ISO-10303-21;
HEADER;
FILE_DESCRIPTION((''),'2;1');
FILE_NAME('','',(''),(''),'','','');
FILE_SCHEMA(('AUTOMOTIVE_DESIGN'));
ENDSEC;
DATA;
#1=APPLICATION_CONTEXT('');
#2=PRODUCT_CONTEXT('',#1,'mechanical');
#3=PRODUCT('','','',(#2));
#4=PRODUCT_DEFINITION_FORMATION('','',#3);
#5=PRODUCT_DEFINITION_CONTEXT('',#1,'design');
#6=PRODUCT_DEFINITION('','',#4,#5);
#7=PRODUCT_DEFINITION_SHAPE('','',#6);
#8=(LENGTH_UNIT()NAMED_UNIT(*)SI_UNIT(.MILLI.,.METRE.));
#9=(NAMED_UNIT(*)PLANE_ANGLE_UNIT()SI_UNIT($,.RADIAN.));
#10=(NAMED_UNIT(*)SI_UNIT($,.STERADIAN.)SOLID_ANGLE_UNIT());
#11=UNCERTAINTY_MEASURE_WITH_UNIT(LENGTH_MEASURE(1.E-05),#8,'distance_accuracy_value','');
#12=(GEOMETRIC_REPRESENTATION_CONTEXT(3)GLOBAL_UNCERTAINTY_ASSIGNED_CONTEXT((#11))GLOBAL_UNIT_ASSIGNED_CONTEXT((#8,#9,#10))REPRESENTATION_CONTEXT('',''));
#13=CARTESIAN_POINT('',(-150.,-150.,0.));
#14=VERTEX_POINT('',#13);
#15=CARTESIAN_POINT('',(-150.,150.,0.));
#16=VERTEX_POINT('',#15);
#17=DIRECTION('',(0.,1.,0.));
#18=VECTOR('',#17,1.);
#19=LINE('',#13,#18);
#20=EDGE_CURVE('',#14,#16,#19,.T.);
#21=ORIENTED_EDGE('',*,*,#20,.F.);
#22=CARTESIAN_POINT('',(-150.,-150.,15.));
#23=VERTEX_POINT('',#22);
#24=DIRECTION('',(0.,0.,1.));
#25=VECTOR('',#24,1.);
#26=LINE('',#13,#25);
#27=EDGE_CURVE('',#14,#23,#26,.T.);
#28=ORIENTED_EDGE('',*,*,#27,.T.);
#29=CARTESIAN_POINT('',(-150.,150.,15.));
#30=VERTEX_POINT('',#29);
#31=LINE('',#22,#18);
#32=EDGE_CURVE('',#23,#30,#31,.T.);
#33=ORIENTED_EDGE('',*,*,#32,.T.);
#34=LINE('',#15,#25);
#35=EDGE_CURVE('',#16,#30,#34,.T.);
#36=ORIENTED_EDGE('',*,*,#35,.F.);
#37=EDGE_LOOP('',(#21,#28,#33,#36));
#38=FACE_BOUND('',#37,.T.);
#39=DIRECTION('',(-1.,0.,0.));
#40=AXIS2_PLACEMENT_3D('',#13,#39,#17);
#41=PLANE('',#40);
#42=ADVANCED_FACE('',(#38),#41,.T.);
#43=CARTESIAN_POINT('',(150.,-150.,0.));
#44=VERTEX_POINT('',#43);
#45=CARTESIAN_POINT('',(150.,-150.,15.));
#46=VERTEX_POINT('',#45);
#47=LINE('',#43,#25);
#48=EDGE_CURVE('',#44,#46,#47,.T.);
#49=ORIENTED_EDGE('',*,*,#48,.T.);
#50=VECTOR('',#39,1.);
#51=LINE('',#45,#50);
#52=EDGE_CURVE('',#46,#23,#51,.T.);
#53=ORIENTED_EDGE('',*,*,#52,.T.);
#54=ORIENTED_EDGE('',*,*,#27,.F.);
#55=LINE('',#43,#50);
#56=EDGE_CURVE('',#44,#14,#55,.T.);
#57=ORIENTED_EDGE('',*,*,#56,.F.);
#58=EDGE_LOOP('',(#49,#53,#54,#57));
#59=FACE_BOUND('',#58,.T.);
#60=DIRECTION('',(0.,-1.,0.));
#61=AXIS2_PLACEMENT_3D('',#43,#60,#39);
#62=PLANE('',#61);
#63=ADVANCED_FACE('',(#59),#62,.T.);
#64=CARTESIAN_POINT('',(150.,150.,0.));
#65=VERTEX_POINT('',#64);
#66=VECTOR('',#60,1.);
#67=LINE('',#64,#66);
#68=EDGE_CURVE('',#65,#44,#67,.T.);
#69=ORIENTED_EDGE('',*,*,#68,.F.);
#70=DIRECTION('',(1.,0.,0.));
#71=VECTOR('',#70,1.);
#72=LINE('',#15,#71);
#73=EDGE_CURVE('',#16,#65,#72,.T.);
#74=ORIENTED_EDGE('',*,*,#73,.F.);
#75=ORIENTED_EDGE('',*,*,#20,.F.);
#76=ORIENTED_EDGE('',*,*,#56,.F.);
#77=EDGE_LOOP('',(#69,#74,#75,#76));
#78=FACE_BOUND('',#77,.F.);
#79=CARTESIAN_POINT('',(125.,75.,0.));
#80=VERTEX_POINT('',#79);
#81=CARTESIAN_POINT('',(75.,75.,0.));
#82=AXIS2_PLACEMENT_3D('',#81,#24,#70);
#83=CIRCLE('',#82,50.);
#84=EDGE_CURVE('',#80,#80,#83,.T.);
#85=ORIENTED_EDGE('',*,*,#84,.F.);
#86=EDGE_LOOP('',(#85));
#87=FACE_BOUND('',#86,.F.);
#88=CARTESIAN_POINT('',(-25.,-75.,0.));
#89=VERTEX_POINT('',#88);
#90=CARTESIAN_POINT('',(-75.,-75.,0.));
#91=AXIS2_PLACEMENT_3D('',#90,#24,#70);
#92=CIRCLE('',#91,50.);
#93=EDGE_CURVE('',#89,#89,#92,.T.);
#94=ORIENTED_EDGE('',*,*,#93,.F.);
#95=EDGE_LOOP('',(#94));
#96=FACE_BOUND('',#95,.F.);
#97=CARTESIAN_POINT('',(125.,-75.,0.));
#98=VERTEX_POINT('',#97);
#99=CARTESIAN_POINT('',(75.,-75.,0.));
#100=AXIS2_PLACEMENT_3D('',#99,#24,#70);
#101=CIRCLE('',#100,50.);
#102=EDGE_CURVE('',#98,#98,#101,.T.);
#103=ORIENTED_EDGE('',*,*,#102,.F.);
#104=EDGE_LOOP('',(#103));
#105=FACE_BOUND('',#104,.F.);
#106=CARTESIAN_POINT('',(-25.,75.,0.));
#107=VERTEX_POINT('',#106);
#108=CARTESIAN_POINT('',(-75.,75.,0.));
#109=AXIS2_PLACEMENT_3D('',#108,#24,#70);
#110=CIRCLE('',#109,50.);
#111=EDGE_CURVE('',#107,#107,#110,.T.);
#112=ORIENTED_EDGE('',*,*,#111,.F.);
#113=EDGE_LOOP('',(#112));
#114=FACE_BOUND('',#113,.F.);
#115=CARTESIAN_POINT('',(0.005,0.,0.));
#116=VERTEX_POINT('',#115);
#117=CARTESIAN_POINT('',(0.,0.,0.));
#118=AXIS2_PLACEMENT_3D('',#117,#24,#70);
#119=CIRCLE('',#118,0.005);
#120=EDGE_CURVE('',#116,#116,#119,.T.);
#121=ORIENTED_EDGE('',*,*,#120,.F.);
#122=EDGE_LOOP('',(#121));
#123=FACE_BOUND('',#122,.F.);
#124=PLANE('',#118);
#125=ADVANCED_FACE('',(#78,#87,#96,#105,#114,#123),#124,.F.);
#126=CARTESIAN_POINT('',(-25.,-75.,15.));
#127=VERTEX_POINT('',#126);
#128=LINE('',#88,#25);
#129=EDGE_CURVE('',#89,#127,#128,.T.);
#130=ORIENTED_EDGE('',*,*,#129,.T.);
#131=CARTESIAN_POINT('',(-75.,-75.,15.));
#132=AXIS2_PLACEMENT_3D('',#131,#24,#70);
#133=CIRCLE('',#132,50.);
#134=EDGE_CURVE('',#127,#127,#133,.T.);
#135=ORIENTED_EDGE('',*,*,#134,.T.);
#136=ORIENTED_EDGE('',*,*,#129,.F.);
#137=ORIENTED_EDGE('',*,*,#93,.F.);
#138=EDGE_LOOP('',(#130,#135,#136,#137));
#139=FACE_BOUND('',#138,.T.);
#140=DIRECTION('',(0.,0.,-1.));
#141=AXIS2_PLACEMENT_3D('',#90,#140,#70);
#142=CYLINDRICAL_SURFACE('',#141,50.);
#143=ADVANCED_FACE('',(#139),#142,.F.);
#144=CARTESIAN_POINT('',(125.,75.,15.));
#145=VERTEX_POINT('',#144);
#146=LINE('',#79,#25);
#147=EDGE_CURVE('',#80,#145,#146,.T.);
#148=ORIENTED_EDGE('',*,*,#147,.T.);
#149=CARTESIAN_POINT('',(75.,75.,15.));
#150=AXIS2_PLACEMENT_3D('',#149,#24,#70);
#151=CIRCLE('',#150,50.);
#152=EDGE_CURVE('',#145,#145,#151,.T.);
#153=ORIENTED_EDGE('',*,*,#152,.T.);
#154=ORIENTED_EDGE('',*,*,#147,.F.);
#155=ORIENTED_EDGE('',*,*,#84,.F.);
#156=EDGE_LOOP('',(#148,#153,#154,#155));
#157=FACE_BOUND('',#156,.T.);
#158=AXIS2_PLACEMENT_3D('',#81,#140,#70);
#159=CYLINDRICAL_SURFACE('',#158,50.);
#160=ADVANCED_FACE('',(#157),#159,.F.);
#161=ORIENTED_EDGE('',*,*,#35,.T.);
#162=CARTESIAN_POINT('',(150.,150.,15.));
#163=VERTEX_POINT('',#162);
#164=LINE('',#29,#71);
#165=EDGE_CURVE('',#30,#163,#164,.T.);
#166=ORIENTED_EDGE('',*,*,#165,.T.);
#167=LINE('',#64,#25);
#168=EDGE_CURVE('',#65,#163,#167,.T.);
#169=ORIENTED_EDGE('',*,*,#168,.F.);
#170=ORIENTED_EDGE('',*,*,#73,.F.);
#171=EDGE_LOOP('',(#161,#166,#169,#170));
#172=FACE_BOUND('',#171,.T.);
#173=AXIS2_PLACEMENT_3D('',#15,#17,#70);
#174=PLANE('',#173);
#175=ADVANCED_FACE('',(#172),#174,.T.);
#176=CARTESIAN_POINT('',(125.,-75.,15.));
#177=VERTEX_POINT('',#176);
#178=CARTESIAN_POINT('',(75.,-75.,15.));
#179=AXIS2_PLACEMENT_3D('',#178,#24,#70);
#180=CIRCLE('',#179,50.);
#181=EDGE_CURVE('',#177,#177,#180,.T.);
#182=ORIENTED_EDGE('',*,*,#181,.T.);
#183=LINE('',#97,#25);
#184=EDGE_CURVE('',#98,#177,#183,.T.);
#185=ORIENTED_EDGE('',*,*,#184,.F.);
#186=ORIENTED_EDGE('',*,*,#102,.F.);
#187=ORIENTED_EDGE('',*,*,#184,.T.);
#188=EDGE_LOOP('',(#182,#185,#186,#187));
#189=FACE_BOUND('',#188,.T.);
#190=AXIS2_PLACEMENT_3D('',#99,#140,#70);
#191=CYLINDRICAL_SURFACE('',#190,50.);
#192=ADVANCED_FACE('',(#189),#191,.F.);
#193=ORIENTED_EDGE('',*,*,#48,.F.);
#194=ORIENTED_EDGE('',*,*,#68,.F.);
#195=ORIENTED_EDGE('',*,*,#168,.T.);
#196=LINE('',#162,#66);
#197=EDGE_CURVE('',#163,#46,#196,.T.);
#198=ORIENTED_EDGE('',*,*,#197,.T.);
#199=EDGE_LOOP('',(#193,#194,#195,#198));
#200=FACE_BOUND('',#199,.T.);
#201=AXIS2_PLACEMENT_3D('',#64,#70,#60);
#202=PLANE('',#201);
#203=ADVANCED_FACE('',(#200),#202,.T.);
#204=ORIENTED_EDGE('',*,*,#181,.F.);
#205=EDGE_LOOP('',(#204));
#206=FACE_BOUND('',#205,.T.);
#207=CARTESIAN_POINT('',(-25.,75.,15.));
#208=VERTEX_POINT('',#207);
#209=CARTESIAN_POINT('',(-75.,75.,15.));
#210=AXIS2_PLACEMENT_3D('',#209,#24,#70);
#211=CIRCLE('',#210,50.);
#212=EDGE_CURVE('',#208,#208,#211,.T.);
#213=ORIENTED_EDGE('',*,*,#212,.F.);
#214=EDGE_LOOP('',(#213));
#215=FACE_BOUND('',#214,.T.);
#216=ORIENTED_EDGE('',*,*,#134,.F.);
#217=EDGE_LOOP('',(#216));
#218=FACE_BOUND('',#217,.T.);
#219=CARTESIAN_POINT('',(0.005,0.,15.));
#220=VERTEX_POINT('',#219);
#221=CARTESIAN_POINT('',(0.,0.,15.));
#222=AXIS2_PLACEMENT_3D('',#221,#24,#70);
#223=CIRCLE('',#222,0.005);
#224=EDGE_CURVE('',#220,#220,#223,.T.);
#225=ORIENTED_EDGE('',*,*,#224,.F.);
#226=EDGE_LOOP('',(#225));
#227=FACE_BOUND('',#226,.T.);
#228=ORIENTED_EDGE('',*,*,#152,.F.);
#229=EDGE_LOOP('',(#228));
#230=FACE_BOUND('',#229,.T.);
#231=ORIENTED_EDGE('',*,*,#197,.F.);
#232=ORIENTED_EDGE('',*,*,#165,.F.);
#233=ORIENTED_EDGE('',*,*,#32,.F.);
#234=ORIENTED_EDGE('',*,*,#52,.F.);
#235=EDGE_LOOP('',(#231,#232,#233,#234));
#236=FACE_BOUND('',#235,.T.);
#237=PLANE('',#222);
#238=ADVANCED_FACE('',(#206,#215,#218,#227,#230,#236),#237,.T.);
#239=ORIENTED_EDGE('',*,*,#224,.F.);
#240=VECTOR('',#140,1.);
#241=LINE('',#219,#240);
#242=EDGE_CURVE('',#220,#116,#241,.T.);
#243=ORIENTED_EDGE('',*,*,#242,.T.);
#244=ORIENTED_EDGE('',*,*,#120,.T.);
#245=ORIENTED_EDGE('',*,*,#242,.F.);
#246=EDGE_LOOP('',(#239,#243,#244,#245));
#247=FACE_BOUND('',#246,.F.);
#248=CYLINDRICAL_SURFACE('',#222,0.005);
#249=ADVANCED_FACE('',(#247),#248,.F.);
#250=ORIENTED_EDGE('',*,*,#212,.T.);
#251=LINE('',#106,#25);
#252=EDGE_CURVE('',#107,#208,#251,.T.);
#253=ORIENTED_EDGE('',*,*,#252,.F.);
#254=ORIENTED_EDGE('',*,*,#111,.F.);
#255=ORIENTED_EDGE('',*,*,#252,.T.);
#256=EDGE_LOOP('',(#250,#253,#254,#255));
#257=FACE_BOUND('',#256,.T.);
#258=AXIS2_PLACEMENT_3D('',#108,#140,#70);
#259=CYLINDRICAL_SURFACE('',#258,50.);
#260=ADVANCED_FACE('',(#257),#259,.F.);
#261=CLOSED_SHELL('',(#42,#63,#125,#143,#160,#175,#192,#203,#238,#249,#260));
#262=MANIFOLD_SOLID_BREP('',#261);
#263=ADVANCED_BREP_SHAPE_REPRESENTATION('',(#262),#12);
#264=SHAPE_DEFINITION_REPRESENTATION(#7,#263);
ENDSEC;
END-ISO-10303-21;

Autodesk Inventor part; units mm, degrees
ref_plane "YZ Plane" through (0, 0, 0) normal (1, 0, 0) x (0, 1, 0)
ref_plane "XZ Plane" through (0, 0, 0) normal (0, 1, 0) x (-1, 0, 0)
ref_plane "XY Plane" through (0, 0, 0) normal (0, 0, 1) x (1, 0, 0)
sketch "スケッチ1" plane through (0, 0, 0) normal (0, 0, 1) x (1, 0, 0)
  line L0 (-150, 150) -> (150, 150)
  line L1 (150, 150) -> (150, -150)
  line L2 (150, -150) -> (-150, -150)
  line L3 (-150, -150) -> (-150, 150)
  circle A0 centre (-75, 75) radius 50
  circle A1 centre (-75, -75) radius 50
  circle A2 centre (75, -75) radius 50
  circle A3 centre (75, 75) radius 50
  point P0 (0, 0)
  point P1 (0, 0)
  dimension "d0" = 300
  dimension "d1" = 100
  dimension "d2" = 100
  dimension "d3" = 100
  dimension "d4" = 100
  dimension "d5" = 150
  dimension "d6" = 150
  dimension "d7" = 75
  dimension "d8" = 75
extrude "押し出し1" add sketch "スケッチ1" along normal blind 15
sketch "スケッチ2" plane through (0, 0, 15) normal (0, 0, 1) x (1, 0, 0)
  circle A0 centre (0, 0) radius 0.005
  dimension "d11" = 0.01
extrude "押し出し2" cut sketch "スケッチ2" against normal through all
properties part number "障害物、丸４"
